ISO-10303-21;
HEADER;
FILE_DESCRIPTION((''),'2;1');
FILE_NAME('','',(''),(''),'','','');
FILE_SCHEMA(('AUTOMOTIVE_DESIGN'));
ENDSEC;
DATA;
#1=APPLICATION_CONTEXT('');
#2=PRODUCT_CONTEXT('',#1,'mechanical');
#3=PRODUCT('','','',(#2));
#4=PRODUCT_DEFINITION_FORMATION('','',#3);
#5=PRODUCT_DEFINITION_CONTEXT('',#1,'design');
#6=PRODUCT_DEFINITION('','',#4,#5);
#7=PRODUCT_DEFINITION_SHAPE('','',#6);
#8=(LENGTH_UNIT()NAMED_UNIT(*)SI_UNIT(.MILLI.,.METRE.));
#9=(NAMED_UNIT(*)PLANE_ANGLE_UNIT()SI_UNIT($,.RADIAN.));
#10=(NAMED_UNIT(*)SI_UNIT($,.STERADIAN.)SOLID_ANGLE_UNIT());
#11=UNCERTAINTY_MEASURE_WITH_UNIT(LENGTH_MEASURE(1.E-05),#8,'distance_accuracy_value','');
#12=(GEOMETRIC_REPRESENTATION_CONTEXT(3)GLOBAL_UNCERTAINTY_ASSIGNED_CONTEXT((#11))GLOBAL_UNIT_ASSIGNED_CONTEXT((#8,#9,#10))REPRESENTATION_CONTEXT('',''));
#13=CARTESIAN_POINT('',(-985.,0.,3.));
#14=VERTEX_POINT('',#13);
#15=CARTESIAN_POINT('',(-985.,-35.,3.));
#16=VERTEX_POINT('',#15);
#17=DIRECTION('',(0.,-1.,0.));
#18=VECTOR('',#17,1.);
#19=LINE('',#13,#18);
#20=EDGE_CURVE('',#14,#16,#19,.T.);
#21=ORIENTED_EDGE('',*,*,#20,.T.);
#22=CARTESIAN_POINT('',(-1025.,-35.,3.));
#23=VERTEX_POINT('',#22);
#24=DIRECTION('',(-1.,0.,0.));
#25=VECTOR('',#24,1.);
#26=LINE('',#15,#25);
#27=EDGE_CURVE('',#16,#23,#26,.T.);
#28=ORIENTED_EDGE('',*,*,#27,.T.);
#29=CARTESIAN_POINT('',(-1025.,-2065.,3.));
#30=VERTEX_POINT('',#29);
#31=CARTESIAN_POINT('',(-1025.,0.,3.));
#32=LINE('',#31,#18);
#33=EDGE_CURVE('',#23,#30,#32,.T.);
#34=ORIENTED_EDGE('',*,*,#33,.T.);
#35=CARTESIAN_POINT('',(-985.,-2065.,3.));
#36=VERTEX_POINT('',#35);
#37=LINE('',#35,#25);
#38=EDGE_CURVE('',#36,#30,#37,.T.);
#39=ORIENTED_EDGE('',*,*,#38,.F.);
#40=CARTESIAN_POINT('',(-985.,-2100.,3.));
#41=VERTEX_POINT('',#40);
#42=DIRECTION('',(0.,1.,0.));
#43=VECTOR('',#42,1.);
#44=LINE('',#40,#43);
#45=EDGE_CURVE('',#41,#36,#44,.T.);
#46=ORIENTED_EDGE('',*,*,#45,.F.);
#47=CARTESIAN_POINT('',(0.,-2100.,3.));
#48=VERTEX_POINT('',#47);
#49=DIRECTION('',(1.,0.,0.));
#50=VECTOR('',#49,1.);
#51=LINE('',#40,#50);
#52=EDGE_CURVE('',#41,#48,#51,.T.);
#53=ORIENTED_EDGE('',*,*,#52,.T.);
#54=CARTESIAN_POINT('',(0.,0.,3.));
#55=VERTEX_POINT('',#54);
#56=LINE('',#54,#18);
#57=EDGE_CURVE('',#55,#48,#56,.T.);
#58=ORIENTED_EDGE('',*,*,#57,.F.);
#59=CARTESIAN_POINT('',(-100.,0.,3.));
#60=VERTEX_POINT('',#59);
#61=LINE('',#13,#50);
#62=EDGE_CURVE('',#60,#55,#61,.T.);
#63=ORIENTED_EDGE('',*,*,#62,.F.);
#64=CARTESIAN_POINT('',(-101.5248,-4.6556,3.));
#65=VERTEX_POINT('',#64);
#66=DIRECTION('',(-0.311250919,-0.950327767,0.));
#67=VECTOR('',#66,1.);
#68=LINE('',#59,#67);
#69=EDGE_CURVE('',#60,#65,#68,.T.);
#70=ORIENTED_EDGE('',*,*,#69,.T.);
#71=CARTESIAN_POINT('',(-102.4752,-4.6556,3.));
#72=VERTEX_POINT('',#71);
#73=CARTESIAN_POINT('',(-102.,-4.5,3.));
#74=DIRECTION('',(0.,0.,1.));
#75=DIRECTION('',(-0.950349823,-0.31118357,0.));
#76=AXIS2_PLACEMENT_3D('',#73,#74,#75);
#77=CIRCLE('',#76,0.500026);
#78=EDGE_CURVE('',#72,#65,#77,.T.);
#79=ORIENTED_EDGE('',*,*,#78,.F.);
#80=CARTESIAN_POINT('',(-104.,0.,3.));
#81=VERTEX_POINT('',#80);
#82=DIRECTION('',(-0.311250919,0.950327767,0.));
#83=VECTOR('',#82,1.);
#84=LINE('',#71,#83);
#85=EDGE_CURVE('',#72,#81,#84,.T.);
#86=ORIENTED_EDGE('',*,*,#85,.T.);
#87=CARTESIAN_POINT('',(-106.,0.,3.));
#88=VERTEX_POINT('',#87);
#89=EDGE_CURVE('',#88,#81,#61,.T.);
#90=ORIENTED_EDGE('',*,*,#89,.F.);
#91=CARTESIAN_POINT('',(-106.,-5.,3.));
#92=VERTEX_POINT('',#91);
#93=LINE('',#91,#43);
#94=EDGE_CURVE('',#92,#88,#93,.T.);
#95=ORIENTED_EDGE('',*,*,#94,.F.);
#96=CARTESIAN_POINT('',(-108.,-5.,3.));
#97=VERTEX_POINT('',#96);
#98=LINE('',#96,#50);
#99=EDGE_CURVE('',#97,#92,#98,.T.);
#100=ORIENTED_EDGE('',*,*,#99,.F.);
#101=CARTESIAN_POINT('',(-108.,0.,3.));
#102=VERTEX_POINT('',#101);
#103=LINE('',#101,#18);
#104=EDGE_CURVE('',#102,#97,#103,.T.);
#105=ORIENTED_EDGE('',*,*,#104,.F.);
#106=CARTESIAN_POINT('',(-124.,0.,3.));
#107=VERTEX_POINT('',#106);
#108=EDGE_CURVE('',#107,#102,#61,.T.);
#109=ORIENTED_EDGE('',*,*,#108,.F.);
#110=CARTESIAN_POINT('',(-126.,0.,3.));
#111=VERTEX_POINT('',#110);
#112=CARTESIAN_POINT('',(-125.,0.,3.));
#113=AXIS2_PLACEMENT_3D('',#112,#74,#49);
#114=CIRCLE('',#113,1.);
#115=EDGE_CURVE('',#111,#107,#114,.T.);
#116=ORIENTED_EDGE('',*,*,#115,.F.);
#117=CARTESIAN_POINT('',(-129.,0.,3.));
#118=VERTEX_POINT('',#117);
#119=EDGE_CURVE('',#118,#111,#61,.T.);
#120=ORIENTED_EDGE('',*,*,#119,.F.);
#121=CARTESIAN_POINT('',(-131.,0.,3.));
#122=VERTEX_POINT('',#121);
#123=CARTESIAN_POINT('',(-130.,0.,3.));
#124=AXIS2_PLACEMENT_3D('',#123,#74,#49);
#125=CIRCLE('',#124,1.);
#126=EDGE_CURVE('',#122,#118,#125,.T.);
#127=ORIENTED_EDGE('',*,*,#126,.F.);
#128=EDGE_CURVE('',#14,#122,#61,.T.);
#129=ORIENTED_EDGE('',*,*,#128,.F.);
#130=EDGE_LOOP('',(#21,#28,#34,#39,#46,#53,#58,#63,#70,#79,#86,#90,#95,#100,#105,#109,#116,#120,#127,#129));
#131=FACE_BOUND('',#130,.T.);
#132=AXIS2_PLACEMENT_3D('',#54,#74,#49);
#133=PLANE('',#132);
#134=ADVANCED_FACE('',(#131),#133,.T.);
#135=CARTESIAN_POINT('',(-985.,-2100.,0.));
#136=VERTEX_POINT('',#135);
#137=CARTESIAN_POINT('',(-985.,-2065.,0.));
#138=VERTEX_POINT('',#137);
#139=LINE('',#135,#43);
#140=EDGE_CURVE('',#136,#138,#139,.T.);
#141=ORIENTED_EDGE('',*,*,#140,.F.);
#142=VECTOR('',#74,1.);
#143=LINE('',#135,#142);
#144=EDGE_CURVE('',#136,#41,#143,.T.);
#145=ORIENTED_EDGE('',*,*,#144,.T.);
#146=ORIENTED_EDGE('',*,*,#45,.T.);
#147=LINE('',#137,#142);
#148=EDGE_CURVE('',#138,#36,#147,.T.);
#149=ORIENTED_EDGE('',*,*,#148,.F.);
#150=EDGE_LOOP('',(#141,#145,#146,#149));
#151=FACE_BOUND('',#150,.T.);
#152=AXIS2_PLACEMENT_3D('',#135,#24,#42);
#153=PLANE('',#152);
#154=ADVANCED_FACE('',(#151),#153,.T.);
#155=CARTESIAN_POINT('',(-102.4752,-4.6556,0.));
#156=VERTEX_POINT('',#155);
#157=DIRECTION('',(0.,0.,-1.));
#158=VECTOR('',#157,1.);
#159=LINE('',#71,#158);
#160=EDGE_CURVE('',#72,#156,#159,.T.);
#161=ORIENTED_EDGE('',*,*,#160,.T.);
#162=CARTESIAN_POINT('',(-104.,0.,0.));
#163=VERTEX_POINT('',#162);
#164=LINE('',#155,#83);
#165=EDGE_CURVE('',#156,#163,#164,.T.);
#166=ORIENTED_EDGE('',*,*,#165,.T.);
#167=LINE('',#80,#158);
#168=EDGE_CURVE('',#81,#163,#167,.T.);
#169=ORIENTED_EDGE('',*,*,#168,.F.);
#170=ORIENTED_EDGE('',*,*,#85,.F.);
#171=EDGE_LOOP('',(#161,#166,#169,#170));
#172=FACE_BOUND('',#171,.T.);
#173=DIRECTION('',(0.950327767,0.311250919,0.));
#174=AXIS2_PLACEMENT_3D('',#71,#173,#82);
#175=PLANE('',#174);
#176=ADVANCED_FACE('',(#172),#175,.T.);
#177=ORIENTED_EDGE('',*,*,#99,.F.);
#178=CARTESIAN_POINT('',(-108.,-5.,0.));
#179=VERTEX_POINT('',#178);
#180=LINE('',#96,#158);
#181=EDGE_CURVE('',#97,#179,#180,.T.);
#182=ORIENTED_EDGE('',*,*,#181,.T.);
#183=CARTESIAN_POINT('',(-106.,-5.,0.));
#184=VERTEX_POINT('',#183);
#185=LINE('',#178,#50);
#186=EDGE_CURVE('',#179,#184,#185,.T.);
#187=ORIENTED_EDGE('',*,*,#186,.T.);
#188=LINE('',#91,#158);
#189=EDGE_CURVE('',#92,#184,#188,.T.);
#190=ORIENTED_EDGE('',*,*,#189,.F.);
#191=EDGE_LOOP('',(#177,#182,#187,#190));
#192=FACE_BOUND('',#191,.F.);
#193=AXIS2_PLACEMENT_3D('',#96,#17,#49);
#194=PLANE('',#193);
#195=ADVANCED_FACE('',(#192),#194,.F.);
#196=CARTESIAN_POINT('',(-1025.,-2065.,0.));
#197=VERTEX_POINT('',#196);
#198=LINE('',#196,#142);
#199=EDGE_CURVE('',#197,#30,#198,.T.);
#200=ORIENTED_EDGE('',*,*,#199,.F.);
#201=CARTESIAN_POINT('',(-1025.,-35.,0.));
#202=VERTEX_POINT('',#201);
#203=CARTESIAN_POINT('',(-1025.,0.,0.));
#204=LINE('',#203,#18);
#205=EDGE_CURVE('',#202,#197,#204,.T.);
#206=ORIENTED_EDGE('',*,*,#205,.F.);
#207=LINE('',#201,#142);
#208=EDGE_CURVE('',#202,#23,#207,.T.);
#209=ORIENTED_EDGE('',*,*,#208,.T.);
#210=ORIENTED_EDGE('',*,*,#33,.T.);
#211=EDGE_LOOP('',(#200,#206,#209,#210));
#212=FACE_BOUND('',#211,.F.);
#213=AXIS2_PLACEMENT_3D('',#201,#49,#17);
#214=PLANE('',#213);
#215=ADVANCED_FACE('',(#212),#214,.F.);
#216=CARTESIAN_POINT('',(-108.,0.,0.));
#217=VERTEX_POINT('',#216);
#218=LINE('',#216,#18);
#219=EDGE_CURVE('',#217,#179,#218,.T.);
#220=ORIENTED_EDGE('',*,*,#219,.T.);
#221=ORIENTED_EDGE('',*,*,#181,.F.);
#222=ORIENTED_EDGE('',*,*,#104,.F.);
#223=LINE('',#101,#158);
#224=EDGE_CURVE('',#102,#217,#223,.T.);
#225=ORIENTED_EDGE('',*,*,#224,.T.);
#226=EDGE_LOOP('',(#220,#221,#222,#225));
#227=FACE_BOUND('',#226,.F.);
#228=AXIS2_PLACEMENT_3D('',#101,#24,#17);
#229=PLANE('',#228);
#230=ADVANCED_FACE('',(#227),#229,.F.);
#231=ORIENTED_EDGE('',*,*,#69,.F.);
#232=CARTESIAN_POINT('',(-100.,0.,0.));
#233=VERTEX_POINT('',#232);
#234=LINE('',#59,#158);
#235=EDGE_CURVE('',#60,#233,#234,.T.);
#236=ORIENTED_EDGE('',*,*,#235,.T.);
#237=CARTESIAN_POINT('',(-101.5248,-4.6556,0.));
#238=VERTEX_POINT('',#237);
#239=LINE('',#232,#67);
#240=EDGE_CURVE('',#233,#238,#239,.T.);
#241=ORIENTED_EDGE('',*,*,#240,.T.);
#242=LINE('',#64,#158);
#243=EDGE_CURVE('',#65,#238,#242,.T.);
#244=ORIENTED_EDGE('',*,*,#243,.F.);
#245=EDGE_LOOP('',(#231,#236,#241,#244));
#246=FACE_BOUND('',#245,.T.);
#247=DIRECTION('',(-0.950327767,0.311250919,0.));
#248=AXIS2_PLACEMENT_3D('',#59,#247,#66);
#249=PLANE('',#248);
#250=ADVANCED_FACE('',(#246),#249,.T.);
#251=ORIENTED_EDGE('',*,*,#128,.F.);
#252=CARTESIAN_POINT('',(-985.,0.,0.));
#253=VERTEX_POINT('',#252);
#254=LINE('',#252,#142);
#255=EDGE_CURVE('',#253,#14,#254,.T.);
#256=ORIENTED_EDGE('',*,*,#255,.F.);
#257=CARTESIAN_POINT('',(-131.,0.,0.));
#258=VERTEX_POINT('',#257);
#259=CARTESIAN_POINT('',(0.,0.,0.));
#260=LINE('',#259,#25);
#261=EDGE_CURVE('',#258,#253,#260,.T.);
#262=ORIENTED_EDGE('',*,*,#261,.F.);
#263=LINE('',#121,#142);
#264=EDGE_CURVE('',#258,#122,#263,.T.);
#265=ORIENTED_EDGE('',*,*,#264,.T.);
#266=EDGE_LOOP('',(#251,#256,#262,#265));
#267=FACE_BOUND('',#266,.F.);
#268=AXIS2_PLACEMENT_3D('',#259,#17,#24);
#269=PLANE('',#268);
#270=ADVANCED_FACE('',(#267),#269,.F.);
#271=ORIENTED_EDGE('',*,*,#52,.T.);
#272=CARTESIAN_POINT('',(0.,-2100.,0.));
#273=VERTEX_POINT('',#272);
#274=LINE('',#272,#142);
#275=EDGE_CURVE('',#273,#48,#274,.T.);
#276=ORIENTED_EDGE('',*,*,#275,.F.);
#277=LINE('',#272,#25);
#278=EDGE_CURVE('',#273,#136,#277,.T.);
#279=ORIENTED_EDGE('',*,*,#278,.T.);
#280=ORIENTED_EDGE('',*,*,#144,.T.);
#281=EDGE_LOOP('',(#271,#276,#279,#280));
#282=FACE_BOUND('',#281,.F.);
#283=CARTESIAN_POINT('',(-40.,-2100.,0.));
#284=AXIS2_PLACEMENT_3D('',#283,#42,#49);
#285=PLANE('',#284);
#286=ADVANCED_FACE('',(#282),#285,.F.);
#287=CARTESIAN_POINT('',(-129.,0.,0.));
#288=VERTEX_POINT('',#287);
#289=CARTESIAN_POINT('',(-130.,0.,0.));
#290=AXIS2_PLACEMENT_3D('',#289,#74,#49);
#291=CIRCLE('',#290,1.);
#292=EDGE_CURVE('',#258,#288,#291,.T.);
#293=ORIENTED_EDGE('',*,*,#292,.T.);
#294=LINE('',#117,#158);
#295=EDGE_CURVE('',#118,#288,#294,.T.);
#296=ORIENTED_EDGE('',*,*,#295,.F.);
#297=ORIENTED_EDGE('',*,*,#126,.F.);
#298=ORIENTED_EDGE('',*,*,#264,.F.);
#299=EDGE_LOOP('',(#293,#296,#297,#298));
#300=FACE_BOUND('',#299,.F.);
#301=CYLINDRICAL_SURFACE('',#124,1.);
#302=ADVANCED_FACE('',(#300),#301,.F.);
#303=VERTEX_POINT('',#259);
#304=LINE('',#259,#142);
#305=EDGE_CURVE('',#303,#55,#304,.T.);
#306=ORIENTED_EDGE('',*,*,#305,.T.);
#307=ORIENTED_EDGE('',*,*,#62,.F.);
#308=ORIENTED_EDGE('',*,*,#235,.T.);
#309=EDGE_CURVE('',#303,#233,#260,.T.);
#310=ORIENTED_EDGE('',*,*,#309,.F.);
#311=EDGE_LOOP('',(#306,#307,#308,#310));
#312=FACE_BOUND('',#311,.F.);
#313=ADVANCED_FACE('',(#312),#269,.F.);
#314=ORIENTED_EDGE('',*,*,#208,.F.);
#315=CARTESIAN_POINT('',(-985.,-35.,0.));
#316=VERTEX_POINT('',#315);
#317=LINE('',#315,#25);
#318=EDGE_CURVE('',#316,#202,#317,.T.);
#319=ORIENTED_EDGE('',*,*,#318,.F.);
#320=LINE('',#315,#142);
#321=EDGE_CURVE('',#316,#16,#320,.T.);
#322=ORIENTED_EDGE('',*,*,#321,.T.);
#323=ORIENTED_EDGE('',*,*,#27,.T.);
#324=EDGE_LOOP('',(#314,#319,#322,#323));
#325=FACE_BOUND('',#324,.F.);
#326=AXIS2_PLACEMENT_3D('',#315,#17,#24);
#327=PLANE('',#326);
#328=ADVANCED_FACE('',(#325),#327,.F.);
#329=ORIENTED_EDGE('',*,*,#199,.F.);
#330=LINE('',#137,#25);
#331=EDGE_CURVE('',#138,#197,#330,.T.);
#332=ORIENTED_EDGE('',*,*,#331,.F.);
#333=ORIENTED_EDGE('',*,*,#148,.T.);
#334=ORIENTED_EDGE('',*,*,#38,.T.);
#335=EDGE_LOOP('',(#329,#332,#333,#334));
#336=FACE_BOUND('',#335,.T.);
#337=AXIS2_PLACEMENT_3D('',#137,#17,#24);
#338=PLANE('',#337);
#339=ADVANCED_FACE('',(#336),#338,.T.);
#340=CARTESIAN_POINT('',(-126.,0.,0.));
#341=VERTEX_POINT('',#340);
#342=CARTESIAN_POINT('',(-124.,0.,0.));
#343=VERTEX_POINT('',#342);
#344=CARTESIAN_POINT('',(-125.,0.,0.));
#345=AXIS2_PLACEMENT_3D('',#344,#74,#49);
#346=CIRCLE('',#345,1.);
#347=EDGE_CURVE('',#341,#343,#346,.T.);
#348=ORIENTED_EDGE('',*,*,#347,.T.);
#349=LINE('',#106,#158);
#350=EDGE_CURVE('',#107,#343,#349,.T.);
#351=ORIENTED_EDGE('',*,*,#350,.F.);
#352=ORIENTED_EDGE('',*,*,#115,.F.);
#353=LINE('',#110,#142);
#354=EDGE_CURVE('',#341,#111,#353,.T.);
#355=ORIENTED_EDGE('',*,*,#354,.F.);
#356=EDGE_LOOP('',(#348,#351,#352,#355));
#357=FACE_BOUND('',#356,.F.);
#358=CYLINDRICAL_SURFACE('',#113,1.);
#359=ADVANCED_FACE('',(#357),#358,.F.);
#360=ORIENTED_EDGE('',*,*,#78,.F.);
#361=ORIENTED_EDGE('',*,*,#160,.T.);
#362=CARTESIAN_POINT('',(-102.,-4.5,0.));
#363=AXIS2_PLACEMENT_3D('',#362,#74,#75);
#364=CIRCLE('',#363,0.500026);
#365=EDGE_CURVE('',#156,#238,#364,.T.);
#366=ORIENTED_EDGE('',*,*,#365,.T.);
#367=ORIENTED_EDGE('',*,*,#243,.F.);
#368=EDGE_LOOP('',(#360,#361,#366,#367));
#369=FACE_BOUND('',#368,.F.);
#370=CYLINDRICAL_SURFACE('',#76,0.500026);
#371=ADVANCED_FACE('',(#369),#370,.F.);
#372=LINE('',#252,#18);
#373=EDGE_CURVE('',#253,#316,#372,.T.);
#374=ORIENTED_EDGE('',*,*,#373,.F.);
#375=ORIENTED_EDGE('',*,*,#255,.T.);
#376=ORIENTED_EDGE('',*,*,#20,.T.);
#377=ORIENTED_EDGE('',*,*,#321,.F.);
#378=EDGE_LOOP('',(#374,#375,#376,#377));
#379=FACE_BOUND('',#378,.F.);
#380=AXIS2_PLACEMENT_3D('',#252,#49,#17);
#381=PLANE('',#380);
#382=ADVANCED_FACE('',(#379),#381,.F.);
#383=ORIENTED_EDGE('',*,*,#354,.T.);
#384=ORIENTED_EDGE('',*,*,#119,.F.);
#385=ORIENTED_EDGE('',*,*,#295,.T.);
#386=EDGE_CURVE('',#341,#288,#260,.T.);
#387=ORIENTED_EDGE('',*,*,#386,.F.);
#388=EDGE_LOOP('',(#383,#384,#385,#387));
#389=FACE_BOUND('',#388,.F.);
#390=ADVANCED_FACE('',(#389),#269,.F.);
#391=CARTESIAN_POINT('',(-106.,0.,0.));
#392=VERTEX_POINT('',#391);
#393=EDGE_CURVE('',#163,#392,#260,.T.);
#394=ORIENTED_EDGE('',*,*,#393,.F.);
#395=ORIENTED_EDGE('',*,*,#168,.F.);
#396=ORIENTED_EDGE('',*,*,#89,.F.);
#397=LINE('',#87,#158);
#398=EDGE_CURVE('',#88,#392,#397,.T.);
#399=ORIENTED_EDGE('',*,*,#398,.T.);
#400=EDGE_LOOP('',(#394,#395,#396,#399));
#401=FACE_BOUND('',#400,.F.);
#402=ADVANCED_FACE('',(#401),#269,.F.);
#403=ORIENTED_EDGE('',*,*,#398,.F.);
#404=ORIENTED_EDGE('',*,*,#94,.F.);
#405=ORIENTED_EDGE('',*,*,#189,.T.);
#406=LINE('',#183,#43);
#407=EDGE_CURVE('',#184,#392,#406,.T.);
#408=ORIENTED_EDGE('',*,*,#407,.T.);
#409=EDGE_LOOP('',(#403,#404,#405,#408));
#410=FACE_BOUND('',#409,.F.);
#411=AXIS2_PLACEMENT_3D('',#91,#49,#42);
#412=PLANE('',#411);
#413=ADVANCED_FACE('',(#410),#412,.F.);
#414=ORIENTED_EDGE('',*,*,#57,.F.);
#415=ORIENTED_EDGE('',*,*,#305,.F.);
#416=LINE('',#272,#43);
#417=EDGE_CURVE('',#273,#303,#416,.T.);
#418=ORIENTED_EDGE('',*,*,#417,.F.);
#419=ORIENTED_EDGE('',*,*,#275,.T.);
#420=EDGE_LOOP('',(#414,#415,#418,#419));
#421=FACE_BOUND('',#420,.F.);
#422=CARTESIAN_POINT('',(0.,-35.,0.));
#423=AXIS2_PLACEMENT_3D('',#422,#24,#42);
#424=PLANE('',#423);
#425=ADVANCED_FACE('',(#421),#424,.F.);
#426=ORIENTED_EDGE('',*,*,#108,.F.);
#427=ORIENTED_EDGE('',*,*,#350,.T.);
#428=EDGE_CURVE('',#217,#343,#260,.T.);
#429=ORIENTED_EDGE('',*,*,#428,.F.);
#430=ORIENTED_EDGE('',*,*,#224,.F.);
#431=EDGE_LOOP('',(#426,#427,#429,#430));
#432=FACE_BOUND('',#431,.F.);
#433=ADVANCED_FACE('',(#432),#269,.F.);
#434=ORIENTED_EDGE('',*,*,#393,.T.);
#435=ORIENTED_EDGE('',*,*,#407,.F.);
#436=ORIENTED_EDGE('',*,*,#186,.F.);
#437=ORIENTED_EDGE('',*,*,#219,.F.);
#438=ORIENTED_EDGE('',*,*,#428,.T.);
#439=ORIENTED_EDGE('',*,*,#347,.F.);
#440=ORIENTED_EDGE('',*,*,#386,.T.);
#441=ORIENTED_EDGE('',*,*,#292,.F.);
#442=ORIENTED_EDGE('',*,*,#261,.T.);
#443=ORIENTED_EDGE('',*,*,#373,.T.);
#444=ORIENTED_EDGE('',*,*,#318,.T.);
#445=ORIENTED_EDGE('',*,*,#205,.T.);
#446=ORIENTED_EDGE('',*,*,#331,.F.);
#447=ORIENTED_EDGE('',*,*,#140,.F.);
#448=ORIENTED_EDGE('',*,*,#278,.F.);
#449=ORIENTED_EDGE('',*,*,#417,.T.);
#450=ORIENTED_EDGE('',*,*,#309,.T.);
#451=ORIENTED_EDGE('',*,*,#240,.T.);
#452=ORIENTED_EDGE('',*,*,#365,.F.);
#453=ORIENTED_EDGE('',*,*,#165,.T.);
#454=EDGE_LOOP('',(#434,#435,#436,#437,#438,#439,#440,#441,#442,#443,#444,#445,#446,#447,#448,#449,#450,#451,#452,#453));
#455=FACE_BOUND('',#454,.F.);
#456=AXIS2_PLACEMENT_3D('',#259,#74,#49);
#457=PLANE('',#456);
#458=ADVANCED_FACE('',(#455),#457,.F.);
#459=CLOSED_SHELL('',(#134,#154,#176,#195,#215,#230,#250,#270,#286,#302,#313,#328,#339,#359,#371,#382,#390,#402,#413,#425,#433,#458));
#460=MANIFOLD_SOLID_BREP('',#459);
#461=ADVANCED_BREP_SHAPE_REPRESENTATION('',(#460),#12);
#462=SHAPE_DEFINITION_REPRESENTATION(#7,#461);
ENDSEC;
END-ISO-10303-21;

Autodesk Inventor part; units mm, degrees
ref_plane "YZ Plane" through (0, 0, 0) normal (1, 0, 0) x (0, 1, 0)
ref_plane "XZ Plane" through (0, 0, 0) normal (0, 1, 0) x (-1, 0, 0)
ref_plane "XY Plane" through (0, 0, 0) normal (0, 0, 1) x (1, 0, 0)
sketch "Sketch1" plane through (0, 0, 0) normal (0, 0, 1) x (1, 0, 0)
  line L0 (0, 0) -> (-1025, 0)
  line L1 (-1025, 0) -> (-1025, -2100)
  line L2 (-1025, -2100) -> (0, -2100)
  line L3 (0, -2100) -> (0, 0)
  line L4 (0, 0) -> (-40, 0)
  line L5 (-40, 0) -> (-40, -35)
  line L6 (-40, -35) -> (0, -35)
  line L7 (0, -35) -> (0, 0)
  line L8 (0, -2100) -> (-40, -2100)
  line L9 (-40, -2100) -> (-40, -2065)
  line L10 (-40, -2065) -> (0, -2065)
  line L11 (0, -2065) -> (0, -2100)
  line L12 (-1025, 0) -> (-985, 0)
  line L13 (-985, 0) -> (-985, -35)
  line L14 (-985, -35) -> (-1025, -35)
  line L15 (-1025, -35) -> (-1025, 0)
  line L16 (-1025, -2100) -> (-985, -2100)
  line L17 (-985, -2100) -> (-985, -2065)
  line L18 (-985, -2065) -> (-1025, -2065)
  line L19 (-1025, -2065) -> (-1025, -2100)
  line L20 (-550, -2100) -> (-450, -2100)
  line L21 (-450, -2100) -> (-450, -2065)
  line L22 (-450, -2065) -> (-550, -2065)
  line L23 (-550, -2065) -> (-550, -2100)
  line L24 (-550, 0) -> (-450, 0)
  line L25 (-450, 0) -> (-450, -35)
  line L26 (-450, -35) -> (-550, -35)
  line L27 (-550, -35) -> (-550, 0)
  point P0 (0, -35)
  point P1 (-40, 0)
  point P2 (-40, -2100)
  point P3 (0, -2065)
  point P4 (-450, -2100)
  point P5 (-450, 0)
  point P6 (-985, 0)
  dimension "d22" = 1025
  dimension "d23" = 2100
  dimension "d24" = 40
  dimension "d25" = 35
  dimension "d28" = 100
  dimension "d29" = 410
extrude "Plate1" add sketch "Sketch1" along normal blind 3 contours L3 L6 L5 L0 | L5 L6 L3 L10 L9 L2 L21 L22 L23 L17 L18 L1 L14 L13 L0 L27 L26 L25 | L25 L26 L27 L0 | L3 L2 L9 L10 | L2 L23 L22 L21
sketch "Sketch5" plane through (0, 0, 3) normal (0, 0, 1) x (1, 0, 0)
  line L0 (0, 0) -> (-100, 0) construction
  line L1 (-100, 0) -> (-100, -2) construction
  line L2 (-100, -2) -> (0, -2) construction
  line L3 (0, -2) -> (0, 0) construction
  line L4 (-100, 0) -> (-101.5248, -4.6556)
  arc A0 (-102.4752, -4.6556) -> (-101.5248, -4.6556) centre (-102, -4.5) ccw
  line L5 (-102.4752, -4.6556) -> (-104, 0)
  line L6 (-104, 0) -> (-100, 0)
  line L7 (-104, 0) -> (-106, 0) construction
  line L8 (-106, 0) -> (-108, 0)
  line L9 (-108, 0) -> (-108, -5)
  line L10 (-108, -5) -> (-106, -5)
  line L11 (-106, -5) -> (-106, 0)
  line L12 (-108, 0) -> (-110, 0) construction
  line L13 (-110, 0) -> (-112, 0)
  line L14 (-112, 0) -> (-112, -5)
  line L15 (-112, -5) -> (-110, -5)
  line L16 (-110, -5) -> (-110, 0)
  line L17 (-112, 0) -> (-114, 0) construction
  line L18 (-114, 0) -> (-116, 0)
  line L19 (-116, 0) -> (-116, -5)
  line L20 (-116, -5) -> (-114, -5)
  line L21 (-114, -5) -> (-114, 0)
  line L22 (-116, 0) -> (-118, 0) construction
  line L23 (-118, 0) -> (-120, 0)
  line L24 (-120, 0) -> (-120, -5)
  line L25 (-120, -5) -> (-118, -5)
  line L26 (-118, -5) -> (-118, 0)
  line L27 (-120, 0) -> (-125, 0) construction
  line L28 (-125, 0) -> (-130, 0) construction
  circle A1 centre (-125, 0) radius 1
  circle A2 centre (-130, 0) radius 1
  point P0 (-102, 0)
  dimension "d30" = 100
  dimension "d31" = 2
  dimension "d32" = 5
  dimension "d33" = 4
  dimension "d34" = 0.5
  dimension "d35" = 5
  dimension "d36" = 5
  dimension "d37" = 5
  dimension "d38" = 2
extrude "Cut1" cut sketch "Sketch5" against normal blind 3 contours L4 A0 L5 L6 | L11 L10 L9 L8 | A1 | A2
equation "\"d33\" = 2 * d31"
equation "\"d34\" = 0.25 * d31"
equation "\"d38\" = d31"
equation "\"d39\" = Thickness"
equation "\"d2\" = Thickness"
equation "\"BendReliefWidth\" = Thickness"
equation "\"BendReliefDepth\" = 0.5 * Thickness"
equation "\"CornerReliefSize\" = 4 * Thickness"
equation "\"MinimumRemnant\" = 2 * Thickness"
equation "\"TransitionRadius\" = BendRadius"
equation "\"JacobiRadiusSize\" = BendRadius"
equation "\"GapSize\" = Thickness"
equation "\"Thickness\" = 3"
equation "\"BendRadius\" = 5"
properties part number "GnG frame 2 floor sheet 9" material "Stainless Steel"
